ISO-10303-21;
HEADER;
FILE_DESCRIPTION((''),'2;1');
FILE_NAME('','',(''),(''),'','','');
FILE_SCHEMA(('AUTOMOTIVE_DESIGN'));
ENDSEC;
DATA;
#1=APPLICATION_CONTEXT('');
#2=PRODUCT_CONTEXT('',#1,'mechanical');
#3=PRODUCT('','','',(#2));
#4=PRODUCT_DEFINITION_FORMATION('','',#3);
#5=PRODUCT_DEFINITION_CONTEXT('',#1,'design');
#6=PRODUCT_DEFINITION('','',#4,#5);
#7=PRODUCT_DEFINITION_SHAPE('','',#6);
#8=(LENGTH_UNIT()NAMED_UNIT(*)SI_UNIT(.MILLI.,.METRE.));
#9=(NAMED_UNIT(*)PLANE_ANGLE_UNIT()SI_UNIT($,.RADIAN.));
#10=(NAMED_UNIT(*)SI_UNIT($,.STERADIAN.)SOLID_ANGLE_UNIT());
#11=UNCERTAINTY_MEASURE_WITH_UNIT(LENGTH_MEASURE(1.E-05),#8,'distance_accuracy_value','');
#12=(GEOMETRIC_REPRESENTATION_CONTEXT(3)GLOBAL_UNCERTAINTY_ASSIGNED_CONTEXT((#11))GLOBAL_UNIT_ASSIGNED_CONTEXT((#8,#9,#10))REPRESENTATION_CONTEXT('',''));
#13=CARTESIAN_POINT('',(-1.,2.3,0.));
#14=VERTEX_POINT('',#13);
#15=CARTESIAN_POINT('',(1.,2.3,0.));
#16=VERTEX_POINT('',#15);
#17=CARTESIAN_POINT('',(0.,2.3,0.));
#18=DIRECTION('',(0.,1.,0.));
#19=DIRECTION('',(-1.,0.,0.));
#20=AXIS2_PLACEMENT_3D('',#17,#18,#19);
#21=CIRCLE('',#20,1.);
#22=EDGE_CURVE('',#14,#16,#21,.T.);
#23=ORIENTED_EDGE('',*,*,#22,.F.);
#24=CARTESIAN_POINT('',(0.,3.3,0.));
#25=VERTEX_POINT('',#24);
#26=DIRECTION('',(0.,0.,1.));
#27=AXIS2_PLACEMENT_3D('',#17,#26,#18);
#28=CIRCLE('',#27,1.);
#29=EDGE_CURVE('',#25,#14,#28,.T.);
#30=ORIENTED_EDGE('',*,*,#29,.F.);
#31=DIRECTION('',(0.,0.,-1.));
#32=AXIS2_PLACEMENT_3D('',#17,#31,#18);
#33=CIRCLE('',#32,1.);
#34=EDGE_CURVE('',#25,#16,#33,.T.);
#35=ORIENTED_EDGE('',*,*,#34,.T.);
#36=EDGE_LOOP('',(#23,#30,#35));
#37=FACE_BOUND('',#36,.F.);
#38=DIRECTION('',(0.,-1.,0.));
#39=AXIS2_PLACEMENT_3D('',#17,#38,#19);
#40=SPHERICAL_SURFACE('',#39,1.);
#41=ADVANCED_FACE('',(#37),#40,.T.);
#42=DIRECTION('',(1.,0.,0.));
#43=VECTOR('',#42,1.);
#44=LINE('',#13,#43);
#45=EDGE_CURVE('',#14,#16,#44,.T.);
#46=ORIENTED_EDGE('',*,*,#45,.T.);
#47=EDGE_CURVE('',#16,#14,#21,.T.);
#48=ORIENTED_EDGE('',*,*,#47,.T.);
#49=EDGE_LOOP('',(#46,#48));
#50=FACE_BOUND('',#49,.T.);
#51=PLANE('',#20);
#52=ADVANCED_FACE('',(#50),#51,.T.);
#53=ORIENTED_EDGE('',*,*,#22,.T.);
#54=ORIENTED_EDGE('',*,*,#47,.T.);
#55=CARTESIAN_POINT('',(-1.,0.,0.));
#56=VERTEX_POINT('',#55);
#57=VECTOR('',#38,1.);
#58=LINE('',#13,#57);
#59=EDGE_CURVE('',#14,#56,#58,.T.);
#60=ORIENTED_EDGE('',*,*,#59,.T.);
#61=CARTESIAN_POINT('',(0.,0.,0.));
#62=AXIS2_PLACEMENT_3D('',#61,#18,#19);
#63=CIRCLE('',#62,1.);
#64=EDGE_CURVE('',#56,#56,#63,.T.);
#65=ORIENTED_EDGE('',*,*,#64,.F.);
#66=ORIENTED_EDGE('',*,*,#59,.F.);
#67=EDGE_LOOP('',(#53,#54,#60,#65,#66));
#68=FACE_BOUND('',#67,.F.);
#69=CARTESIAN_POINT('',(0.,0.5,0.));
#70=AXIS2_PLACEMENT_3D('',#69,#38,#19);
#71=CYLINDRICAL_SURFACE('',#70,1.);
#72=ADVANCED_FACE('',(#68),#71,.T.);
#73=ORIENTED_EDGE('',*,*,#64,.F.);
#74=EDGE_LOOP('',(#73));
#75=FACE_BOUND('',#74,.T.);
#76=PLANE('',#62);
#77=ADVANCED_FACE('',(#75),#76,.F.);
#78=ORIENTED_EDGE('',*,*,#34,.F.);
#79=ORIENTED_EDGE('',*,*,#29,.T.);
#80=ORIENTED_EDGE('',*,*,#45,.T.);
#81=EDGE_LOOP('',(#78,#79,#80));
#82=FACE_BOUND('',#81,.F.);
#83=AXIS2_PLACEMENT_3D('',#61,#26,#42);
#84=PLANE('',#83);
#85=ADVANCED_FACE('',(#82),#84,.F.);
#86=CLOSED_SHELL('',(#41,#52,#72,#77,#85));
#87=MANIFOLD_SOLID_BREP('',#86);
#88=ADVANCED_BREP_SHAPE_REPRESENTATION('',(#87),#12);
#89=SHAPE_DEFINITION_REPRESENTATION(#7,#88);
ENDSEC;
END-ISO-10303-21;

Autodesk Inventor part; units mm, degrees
ref_plane "YZ Plane" through (0, 0, 0) normal (1, 0, 0) x (0, 1, 0)
ref_plane "XZ Plane" through (0, 0, 0) normal (0, 1, 0) x (-1, 0, 0)
ref_plane "XY Plane" through (0, 0, 0) normal (0, 0, 1) x (1, 0, 0)
sketch "Sketch1" plane through (0, 0, 0) normal (0, 0, 1) x (1, 0, 0)
  line L0 (0, 0) -> (-1, 0)
  line L1 (0, 0) -> (0, 2.3)
  line L2 (-1, 0.5) -> (-1, 2.3)
  line L3 (-1, 2.3) -> (0, 2.3)
  line L4 (-1, 0.5) -> (-1, 0)
  dimension "d10" = 2.3
revolve "Revolution1" add sketch "Sketch1" angle 360 about axis through (0, 0, 0) along (0, 1, 0)
sketch "Sketch2" plane through (0, 0, 0) normal (0, 0, 1) x (1, 0, 0)
  line L0 (1, 2.3) -> (-1, 2.3) projected
  line L1 (-1, 2.3) -> (0, 2.3)
  line L2 (0, 2.3) -> (0, 3.3)
  arc A0 (0, 3.3) -> (-1, 2.3) centre (0, 2.3) ccw
  point P0 (0, 0)
  dimension "d11" = 1
  dimension "d12" = 1
revolve "Revolution3" add sketch "Sketch2" angle 180 about axis through (0, 2.3, 0) along (0, 1, 0)
sketch "Sketch4" plane through (0, 2.3, 0) normal (0, 1, 0) x (1, 0, 0)
  circle A0 centre (0, 0.01) radius 0.2492
  line L0 (1, 0) -> (-1, 0) projected
  point P0 (0, 0)
  dimension "d14" = 0.01
properties part number "soft_1"
